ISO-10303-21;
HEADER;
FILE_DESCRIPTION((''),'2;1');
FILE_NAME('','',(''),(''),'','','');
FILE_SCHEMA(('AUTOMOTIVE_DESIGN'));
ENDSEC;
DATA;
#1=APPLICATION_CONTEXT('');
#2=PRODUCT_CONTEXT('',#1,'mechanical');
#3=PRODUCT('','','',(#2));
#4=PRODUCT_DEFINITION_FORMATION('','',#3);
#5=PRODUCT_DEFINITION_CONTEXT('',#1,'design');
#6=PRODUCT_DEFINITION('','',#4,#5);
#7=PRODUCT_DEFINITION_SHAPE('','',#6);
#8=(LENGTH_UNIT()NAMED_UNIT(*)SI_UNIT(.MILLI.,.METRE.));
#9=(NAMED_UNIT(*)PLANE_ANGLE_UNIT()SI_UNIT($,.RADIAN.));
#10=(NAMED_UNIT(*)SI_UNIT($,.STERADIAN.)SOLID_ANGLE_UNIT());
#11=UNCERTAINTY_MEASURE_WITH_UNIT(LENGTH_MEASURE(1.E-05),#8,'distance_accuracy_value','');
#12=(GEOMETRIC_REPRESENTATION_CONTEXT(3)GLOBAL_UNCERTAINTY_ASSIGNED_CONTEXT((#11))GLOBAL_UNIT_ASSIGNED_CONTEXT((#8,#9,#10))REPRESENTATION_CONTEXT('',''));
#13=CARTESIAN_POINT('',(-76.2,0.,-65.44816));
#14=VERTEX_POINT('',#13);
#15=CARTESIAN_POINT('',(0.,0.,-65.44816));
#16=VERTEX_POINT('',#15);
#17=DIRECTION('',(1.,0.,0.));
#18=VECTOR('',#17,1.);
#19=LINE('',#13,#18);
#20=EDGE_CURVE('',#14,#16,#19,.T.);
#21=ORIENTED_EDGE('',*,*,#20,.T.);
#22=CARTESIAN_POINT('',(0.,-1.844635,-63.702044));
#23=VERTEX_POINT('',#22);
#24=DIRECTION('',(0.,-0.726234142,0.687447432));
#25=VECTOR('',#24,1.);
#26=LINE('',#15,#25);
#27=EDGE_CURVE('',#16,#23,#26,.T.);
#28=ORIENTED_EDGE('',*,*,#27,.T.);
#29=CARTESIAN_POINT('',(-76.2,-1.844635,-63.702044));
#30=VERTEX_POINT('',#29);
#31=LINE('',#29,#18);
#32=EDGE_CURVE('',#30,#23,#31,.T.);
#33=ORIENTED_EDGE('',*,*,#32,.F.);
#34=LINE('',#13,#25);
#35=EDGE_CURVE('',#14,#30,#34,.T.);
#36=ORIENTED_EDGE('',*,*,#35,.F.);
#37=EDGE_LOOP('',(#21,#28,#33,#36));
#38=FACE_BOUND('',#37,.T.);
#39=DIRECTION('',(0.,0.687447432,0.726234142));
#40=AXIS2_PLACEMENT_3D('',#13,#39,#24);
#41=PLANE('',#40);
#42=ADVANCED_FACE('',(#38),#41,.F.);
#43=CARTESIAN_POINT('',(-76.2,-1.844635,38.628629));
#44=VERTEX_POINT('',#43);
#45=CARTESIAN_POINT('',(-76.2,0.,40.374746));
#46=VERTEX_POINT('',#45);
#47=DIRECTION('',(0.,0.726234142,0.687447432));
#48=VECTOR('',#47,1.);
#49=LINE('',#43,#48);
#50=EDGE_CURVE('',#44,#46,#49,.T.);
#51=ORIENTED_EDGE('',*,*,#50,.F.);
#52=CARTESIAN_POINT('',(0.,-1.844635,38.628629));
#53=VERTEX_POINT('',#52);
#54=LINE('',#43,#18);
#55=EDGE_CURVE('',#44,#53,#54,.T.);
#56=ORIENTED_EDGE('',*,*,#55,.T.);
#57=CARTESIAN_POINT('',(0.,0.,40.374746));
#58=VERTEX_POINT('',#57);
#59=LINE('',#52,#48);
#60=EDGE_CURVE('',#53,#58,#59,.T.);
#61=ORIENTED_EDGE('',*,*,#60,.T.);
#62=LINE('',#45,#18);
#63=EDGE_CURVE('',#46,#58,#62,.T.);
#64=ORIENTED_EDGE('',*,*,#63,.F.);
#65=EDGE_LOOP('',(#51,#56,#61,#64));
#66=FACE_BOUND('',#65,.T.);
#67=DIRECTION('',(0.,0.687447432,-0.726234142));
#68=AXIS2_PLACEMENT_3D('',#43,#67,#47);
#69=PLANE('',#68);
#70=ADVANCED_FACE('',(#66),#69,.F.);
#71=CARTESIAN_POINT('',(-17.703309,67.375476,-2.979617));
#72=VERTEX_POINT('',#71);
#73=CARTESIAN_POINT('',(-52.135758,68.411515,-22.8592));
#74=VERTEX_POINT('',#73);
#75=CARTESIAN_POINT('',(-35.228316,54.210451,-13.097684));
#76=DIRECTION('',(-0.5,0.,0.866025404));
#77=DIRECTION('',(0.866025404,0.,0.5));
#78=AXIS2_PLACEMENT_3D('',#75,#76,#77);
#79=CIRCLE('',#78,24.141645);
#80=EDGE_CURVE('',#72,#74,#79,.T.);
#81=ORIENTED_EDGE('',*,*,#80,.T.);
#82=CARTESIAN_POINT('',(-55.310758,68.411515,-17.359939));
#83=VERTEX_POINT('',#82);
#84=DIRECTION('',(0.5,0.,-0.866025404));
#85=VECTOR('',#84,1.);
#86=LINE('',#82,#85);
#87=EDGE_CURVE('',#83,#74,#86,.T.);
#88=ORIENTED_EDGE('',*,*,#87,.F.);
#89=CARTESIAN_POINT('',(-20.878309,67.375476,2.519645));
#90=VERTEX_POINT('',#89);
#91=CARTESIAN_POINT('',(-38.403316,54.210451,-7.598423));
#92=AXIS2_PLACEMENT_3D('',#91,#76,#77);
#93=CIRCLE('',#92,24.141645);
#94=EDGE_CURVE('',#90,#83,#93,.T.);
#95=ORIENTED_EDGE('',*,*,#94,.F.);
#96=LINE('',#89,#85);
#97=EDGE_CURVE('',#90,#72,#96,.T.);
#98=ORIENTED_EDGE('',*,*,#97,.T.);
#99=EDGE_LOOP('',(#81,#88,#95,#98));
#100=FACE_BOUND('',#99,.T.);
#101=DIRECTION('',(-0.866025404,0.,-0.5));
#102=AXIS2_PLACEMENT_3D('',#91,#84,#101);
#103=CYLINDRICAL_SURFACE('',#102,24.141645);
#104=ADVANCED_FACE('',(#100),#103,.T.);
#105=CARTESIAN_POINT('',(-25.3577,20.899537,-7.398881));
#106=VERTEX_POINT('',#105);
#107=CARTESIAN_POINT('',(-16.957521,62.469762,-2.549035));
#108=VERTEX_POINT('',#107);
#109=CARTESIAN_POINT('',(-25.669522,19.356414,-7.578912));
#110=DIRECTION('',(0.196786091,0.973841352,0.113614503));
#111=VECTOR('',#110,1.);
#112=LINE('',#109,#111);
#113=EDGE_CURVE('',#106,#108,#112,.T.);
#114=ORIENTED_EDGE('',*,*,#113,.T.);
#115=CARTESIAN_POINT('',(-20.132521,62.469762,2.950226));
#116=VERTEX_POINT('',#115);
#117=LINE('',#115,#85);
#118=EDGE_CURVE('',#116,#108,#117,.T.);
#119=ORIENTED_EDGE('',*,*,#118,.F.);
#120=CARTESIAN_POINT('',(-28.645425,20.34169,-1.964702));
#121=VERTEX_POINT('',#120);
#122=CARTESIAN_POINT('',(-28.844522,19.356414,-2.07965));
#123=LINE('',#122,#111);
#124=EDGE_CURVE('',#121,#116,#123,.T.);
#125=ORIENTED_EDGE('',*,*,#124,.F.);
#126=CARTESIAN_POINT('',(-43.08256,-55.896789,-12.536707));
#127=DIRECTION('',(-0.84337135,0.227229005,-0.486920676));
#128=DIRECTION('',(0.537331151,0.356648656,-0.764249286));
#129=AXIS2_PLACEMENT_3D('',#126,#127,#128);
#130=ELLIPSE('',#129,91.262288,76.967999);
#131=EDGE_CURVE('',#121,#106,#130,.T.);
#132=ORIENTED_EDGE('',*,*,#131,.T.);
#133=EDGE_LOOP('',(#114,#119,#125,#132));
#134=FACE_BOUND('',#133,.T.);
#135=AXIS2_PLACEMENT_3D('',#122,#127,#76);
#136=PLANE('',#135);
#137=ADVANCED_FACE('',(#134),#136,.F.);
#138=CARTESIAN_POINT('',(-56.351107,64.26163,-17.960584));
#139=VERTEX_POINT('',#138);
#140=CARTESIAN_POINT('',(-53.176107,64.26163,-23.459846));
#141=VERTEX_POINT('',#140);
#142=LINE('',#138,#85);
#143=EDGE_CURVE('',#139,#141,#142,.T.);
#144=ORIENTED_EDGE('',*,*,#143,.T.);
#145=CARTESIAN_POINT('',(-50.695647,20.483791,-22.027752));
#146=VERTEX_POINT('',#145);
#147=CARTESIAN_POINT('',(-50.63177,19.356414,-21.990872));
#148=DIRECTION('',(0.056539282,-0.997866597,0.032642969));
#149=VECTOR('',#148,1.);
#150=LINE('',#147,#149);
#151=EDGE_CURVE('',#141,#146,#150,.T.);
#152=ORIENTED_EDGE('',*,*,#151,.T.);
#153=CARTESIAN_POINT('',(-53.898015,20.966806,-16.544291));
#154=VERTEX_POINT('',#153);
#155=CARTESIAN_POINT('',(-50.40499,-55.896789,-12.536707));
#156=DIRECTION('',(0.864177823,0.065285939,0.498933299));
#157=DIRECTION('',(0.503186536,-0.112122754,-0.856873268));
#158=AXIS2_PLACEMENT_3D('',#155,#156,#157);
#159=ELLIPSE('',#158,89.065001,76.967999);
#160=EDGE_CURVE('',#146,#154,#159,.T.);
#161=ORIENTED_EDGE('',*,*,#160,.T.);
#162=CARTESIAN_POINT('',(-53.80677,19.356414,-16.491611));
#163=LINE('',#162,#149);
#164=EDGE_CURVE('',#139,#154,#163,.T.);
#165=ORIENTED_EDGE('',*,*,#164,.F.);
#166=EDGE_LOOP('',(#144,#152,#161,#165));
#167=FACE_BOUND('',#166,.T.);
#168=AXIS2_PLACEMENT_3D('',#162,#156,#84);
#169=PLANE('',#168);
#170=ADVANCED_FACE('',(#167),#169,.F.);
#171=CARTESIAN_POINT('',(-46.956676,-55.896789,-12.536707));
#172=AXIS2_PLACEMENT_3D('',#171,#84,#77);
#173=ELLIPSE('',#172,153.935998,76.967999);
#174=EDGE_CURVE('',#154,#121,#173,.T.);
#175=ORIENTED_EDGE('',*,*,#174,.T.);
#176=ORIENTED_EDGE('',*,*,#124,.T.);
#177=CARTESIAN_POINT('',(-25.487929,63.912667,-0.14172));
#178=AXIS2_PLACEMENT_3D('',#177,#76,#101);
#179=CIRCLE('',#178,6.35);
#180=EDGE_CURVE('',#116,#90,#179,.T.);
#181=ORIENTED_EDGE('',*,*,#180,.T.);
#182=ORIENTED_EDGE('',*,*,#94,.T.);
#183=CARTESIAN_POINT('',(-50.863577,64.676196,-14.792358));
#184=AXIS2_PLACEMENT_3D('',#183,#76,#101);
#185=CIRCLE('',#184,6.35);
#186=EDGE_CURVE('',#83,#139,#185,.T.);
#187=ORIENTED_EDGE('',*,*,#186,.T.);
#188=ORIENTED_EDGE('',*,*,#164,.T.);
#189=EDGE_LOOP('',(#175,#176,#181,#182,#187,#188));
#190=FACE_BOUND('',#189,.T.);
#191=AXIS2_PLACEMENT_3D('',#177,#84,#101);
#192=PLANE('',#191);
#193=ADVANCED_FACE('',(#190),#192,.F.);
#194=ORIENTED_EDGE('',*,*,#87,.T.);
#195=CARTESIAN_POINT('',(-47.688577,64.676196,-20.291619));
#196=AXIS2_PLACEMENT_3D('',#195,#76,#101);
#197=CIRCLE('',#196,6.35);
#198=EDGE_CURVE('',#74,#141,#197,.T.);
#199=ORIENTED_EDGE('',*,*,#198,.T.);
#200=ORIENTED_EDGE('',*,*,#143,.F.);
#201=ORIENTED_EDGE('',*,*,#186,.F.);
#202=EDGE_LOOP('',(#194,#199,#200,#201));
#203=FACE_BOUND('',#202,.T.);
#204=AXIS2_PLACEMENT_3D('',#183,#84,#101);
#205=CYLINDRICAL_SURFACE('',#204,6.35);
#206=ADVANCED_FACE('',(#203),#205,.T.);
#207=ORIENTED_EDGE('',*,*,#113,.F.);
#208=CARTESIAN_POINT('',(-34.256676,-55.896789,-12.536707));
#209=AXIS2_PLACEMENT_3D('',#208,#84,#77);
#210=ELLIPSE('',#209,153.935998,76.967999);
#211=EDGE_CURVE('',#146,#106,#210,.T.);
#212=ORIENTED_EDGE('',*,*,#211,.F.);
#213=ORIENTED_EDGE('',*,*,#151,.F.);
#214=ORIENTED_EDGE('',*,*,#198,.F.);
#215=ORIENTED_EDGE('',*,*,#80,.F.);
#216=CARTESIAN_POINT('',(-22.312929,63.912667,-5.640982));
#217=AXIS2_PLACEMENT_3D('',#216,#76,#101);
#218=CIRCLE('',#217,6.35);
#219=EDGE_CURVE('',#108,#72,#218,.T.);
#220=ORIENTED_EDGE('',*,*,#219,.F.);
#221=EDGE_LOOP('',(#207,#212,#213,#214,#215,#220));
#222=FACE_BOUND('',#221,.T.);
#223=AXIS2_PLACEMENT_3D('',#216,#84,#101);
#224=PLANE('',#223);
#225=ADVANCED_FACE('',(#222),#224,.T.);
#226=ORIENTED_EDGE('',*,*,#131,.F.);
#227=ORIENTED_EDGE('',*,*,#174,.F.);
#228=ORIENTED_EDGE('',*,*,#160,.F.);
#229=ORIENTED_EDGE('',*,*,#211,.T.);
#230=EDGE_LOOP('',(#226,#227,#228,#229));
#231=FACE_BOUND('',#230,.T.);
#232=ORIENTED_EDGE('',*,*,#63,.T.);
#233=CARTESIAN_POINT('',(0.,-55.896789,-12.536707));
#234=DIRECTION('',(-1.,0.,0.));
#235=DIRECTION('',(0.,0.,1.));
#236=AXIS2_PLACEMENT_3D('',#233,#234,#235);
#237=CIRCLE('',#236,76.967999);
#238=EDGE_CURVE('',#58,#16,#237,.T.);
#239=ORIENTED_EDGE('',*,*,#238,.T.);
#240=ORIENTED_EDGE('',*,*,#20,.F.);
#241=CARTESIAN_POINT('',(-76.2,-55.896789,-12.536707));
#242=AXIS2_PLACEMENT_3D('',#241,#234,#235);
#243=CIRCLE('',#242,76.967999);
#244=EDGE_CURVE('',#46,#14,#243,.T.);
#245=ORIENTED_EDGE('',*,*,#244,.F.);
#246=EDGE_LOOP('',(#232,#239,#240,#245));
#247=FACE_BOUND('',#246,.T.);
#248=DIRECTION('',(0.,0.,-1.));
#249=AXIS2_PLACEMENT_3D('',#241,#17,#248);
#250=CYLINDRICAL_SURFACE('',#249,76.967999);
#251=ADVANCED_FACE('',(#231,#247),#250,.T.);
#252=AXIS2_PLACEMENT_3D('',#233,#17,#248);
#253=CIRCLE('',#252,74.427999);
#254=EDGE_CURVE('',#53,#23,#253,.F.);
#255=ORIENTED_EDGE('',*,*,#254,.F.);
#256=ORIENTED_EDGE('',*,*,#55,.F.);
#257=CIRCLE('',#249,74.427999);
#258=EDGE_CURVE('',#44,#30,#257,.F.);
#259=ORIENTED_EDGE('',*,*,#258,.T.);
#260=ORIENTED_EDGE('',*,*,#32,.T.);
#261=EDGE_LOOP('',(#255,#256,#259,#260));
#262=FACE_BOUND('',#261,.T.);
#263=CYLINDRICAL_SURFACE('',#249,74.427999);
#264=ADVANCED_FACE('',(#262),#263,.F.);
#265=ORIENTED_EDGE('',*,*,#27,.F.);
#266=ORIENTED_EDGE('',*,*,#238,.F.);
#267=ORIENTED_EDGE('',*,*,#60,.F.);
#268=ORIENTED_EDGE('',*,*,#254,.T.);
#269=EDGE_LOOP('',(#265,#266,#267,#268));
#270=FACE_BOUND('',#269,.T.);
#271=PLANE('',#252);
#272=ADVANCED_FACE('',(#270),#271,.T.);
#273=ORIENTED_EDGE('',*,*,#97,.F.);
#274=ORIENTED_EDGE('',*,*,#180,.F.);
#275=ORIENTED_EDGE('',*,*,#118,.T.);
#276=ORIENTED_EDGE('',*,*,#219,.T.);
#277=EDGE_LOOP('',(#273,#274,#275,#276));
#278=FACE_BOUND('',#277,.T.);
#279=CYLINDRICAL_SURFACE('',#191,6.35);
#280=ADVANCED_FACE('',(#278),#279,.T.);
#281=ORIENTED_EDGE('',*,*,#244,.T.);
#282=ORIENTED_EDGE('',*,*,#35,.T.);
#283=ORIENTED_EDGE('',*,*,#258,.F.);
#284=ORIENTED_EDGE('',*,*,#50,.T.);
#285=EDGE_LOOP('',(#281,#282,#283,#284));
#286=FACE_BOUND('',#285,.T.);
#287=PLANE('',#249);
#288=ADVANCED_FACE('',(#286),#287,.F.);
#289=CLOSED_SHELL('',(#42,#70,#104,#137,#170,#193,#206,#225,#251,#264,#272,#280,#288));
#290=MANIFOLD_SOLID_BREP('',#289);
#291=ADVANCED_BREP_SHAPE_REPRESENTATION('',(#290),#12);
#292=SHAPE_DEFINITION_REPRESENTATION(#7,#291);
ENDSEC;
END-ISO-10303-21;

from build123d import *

# Parameters (mm, degrees)
EXTRUDE_THIN1_DEPTH = 76.2
EXTRUDE3_DEPTH      = 3.175


with BuildPart() as part:
    # Sketch1 → Extrude-Thin1 (new body)
    with BuildSketch(Plane(origin=(0, 0, 0), x_dir=(0, 0, -1), z_dir=(1, 0, 0))):
        with BuildLine():
            ThreePointArc((-40.374745946, 0), (12.536707256, 21.071210286), (65.448160458, 0))
            Line((65.448160458, 0), (63.702043982, -1.84463472))
            ThreePointArc((63.702043982, -1.84463472), (12.536707256, 18.531210286), (-38.628629469, -1.84463472))
            Line((-38.628629469, -1.84463472), (-40.374745946, 0))
        make_face()
    extrude(amount=-EXTRUDE_THIN1_DEPTH)

    # Sketch8 → Extrude3 (add, symmetric)
    with BuildSketch(Plane(origin=(-4.723115477, 0, 8.180675976), x_dir=(0.8660254037844382, 0, 0.500000000000001), z_dir=(-0.500000000000001, 0, 0.8660254037844382))):
        with BuildLine():
            Line((-26.019914049, 19.356414404), (-15.960161332, 62.469762483))
            ThreePointArc((-15.960161332, 62.469762483), (-15.889687792, 65.010575746), (-16.821324096, 67.375475819))
            ThreePointArc((-16.821324096, 67.375475819), (-36.428592093, 78.343903744), (-56.580491048, 68.411515413))
            ThreePointArc((-56.580491048, 68.411515413), (-57.544908965, 66.441876013), (-57.781782094, 64.261630063))
            Line((-57.781782094, 64.261630063), (-54.843835108, 19.356414404))
            Line((-54.843835108, 19.356414404), (-26.019914049, 19.356414404))
        make_face()
    extrude(amount=EXTRUDE3_DEPTH, both=True)


solid = part.part
